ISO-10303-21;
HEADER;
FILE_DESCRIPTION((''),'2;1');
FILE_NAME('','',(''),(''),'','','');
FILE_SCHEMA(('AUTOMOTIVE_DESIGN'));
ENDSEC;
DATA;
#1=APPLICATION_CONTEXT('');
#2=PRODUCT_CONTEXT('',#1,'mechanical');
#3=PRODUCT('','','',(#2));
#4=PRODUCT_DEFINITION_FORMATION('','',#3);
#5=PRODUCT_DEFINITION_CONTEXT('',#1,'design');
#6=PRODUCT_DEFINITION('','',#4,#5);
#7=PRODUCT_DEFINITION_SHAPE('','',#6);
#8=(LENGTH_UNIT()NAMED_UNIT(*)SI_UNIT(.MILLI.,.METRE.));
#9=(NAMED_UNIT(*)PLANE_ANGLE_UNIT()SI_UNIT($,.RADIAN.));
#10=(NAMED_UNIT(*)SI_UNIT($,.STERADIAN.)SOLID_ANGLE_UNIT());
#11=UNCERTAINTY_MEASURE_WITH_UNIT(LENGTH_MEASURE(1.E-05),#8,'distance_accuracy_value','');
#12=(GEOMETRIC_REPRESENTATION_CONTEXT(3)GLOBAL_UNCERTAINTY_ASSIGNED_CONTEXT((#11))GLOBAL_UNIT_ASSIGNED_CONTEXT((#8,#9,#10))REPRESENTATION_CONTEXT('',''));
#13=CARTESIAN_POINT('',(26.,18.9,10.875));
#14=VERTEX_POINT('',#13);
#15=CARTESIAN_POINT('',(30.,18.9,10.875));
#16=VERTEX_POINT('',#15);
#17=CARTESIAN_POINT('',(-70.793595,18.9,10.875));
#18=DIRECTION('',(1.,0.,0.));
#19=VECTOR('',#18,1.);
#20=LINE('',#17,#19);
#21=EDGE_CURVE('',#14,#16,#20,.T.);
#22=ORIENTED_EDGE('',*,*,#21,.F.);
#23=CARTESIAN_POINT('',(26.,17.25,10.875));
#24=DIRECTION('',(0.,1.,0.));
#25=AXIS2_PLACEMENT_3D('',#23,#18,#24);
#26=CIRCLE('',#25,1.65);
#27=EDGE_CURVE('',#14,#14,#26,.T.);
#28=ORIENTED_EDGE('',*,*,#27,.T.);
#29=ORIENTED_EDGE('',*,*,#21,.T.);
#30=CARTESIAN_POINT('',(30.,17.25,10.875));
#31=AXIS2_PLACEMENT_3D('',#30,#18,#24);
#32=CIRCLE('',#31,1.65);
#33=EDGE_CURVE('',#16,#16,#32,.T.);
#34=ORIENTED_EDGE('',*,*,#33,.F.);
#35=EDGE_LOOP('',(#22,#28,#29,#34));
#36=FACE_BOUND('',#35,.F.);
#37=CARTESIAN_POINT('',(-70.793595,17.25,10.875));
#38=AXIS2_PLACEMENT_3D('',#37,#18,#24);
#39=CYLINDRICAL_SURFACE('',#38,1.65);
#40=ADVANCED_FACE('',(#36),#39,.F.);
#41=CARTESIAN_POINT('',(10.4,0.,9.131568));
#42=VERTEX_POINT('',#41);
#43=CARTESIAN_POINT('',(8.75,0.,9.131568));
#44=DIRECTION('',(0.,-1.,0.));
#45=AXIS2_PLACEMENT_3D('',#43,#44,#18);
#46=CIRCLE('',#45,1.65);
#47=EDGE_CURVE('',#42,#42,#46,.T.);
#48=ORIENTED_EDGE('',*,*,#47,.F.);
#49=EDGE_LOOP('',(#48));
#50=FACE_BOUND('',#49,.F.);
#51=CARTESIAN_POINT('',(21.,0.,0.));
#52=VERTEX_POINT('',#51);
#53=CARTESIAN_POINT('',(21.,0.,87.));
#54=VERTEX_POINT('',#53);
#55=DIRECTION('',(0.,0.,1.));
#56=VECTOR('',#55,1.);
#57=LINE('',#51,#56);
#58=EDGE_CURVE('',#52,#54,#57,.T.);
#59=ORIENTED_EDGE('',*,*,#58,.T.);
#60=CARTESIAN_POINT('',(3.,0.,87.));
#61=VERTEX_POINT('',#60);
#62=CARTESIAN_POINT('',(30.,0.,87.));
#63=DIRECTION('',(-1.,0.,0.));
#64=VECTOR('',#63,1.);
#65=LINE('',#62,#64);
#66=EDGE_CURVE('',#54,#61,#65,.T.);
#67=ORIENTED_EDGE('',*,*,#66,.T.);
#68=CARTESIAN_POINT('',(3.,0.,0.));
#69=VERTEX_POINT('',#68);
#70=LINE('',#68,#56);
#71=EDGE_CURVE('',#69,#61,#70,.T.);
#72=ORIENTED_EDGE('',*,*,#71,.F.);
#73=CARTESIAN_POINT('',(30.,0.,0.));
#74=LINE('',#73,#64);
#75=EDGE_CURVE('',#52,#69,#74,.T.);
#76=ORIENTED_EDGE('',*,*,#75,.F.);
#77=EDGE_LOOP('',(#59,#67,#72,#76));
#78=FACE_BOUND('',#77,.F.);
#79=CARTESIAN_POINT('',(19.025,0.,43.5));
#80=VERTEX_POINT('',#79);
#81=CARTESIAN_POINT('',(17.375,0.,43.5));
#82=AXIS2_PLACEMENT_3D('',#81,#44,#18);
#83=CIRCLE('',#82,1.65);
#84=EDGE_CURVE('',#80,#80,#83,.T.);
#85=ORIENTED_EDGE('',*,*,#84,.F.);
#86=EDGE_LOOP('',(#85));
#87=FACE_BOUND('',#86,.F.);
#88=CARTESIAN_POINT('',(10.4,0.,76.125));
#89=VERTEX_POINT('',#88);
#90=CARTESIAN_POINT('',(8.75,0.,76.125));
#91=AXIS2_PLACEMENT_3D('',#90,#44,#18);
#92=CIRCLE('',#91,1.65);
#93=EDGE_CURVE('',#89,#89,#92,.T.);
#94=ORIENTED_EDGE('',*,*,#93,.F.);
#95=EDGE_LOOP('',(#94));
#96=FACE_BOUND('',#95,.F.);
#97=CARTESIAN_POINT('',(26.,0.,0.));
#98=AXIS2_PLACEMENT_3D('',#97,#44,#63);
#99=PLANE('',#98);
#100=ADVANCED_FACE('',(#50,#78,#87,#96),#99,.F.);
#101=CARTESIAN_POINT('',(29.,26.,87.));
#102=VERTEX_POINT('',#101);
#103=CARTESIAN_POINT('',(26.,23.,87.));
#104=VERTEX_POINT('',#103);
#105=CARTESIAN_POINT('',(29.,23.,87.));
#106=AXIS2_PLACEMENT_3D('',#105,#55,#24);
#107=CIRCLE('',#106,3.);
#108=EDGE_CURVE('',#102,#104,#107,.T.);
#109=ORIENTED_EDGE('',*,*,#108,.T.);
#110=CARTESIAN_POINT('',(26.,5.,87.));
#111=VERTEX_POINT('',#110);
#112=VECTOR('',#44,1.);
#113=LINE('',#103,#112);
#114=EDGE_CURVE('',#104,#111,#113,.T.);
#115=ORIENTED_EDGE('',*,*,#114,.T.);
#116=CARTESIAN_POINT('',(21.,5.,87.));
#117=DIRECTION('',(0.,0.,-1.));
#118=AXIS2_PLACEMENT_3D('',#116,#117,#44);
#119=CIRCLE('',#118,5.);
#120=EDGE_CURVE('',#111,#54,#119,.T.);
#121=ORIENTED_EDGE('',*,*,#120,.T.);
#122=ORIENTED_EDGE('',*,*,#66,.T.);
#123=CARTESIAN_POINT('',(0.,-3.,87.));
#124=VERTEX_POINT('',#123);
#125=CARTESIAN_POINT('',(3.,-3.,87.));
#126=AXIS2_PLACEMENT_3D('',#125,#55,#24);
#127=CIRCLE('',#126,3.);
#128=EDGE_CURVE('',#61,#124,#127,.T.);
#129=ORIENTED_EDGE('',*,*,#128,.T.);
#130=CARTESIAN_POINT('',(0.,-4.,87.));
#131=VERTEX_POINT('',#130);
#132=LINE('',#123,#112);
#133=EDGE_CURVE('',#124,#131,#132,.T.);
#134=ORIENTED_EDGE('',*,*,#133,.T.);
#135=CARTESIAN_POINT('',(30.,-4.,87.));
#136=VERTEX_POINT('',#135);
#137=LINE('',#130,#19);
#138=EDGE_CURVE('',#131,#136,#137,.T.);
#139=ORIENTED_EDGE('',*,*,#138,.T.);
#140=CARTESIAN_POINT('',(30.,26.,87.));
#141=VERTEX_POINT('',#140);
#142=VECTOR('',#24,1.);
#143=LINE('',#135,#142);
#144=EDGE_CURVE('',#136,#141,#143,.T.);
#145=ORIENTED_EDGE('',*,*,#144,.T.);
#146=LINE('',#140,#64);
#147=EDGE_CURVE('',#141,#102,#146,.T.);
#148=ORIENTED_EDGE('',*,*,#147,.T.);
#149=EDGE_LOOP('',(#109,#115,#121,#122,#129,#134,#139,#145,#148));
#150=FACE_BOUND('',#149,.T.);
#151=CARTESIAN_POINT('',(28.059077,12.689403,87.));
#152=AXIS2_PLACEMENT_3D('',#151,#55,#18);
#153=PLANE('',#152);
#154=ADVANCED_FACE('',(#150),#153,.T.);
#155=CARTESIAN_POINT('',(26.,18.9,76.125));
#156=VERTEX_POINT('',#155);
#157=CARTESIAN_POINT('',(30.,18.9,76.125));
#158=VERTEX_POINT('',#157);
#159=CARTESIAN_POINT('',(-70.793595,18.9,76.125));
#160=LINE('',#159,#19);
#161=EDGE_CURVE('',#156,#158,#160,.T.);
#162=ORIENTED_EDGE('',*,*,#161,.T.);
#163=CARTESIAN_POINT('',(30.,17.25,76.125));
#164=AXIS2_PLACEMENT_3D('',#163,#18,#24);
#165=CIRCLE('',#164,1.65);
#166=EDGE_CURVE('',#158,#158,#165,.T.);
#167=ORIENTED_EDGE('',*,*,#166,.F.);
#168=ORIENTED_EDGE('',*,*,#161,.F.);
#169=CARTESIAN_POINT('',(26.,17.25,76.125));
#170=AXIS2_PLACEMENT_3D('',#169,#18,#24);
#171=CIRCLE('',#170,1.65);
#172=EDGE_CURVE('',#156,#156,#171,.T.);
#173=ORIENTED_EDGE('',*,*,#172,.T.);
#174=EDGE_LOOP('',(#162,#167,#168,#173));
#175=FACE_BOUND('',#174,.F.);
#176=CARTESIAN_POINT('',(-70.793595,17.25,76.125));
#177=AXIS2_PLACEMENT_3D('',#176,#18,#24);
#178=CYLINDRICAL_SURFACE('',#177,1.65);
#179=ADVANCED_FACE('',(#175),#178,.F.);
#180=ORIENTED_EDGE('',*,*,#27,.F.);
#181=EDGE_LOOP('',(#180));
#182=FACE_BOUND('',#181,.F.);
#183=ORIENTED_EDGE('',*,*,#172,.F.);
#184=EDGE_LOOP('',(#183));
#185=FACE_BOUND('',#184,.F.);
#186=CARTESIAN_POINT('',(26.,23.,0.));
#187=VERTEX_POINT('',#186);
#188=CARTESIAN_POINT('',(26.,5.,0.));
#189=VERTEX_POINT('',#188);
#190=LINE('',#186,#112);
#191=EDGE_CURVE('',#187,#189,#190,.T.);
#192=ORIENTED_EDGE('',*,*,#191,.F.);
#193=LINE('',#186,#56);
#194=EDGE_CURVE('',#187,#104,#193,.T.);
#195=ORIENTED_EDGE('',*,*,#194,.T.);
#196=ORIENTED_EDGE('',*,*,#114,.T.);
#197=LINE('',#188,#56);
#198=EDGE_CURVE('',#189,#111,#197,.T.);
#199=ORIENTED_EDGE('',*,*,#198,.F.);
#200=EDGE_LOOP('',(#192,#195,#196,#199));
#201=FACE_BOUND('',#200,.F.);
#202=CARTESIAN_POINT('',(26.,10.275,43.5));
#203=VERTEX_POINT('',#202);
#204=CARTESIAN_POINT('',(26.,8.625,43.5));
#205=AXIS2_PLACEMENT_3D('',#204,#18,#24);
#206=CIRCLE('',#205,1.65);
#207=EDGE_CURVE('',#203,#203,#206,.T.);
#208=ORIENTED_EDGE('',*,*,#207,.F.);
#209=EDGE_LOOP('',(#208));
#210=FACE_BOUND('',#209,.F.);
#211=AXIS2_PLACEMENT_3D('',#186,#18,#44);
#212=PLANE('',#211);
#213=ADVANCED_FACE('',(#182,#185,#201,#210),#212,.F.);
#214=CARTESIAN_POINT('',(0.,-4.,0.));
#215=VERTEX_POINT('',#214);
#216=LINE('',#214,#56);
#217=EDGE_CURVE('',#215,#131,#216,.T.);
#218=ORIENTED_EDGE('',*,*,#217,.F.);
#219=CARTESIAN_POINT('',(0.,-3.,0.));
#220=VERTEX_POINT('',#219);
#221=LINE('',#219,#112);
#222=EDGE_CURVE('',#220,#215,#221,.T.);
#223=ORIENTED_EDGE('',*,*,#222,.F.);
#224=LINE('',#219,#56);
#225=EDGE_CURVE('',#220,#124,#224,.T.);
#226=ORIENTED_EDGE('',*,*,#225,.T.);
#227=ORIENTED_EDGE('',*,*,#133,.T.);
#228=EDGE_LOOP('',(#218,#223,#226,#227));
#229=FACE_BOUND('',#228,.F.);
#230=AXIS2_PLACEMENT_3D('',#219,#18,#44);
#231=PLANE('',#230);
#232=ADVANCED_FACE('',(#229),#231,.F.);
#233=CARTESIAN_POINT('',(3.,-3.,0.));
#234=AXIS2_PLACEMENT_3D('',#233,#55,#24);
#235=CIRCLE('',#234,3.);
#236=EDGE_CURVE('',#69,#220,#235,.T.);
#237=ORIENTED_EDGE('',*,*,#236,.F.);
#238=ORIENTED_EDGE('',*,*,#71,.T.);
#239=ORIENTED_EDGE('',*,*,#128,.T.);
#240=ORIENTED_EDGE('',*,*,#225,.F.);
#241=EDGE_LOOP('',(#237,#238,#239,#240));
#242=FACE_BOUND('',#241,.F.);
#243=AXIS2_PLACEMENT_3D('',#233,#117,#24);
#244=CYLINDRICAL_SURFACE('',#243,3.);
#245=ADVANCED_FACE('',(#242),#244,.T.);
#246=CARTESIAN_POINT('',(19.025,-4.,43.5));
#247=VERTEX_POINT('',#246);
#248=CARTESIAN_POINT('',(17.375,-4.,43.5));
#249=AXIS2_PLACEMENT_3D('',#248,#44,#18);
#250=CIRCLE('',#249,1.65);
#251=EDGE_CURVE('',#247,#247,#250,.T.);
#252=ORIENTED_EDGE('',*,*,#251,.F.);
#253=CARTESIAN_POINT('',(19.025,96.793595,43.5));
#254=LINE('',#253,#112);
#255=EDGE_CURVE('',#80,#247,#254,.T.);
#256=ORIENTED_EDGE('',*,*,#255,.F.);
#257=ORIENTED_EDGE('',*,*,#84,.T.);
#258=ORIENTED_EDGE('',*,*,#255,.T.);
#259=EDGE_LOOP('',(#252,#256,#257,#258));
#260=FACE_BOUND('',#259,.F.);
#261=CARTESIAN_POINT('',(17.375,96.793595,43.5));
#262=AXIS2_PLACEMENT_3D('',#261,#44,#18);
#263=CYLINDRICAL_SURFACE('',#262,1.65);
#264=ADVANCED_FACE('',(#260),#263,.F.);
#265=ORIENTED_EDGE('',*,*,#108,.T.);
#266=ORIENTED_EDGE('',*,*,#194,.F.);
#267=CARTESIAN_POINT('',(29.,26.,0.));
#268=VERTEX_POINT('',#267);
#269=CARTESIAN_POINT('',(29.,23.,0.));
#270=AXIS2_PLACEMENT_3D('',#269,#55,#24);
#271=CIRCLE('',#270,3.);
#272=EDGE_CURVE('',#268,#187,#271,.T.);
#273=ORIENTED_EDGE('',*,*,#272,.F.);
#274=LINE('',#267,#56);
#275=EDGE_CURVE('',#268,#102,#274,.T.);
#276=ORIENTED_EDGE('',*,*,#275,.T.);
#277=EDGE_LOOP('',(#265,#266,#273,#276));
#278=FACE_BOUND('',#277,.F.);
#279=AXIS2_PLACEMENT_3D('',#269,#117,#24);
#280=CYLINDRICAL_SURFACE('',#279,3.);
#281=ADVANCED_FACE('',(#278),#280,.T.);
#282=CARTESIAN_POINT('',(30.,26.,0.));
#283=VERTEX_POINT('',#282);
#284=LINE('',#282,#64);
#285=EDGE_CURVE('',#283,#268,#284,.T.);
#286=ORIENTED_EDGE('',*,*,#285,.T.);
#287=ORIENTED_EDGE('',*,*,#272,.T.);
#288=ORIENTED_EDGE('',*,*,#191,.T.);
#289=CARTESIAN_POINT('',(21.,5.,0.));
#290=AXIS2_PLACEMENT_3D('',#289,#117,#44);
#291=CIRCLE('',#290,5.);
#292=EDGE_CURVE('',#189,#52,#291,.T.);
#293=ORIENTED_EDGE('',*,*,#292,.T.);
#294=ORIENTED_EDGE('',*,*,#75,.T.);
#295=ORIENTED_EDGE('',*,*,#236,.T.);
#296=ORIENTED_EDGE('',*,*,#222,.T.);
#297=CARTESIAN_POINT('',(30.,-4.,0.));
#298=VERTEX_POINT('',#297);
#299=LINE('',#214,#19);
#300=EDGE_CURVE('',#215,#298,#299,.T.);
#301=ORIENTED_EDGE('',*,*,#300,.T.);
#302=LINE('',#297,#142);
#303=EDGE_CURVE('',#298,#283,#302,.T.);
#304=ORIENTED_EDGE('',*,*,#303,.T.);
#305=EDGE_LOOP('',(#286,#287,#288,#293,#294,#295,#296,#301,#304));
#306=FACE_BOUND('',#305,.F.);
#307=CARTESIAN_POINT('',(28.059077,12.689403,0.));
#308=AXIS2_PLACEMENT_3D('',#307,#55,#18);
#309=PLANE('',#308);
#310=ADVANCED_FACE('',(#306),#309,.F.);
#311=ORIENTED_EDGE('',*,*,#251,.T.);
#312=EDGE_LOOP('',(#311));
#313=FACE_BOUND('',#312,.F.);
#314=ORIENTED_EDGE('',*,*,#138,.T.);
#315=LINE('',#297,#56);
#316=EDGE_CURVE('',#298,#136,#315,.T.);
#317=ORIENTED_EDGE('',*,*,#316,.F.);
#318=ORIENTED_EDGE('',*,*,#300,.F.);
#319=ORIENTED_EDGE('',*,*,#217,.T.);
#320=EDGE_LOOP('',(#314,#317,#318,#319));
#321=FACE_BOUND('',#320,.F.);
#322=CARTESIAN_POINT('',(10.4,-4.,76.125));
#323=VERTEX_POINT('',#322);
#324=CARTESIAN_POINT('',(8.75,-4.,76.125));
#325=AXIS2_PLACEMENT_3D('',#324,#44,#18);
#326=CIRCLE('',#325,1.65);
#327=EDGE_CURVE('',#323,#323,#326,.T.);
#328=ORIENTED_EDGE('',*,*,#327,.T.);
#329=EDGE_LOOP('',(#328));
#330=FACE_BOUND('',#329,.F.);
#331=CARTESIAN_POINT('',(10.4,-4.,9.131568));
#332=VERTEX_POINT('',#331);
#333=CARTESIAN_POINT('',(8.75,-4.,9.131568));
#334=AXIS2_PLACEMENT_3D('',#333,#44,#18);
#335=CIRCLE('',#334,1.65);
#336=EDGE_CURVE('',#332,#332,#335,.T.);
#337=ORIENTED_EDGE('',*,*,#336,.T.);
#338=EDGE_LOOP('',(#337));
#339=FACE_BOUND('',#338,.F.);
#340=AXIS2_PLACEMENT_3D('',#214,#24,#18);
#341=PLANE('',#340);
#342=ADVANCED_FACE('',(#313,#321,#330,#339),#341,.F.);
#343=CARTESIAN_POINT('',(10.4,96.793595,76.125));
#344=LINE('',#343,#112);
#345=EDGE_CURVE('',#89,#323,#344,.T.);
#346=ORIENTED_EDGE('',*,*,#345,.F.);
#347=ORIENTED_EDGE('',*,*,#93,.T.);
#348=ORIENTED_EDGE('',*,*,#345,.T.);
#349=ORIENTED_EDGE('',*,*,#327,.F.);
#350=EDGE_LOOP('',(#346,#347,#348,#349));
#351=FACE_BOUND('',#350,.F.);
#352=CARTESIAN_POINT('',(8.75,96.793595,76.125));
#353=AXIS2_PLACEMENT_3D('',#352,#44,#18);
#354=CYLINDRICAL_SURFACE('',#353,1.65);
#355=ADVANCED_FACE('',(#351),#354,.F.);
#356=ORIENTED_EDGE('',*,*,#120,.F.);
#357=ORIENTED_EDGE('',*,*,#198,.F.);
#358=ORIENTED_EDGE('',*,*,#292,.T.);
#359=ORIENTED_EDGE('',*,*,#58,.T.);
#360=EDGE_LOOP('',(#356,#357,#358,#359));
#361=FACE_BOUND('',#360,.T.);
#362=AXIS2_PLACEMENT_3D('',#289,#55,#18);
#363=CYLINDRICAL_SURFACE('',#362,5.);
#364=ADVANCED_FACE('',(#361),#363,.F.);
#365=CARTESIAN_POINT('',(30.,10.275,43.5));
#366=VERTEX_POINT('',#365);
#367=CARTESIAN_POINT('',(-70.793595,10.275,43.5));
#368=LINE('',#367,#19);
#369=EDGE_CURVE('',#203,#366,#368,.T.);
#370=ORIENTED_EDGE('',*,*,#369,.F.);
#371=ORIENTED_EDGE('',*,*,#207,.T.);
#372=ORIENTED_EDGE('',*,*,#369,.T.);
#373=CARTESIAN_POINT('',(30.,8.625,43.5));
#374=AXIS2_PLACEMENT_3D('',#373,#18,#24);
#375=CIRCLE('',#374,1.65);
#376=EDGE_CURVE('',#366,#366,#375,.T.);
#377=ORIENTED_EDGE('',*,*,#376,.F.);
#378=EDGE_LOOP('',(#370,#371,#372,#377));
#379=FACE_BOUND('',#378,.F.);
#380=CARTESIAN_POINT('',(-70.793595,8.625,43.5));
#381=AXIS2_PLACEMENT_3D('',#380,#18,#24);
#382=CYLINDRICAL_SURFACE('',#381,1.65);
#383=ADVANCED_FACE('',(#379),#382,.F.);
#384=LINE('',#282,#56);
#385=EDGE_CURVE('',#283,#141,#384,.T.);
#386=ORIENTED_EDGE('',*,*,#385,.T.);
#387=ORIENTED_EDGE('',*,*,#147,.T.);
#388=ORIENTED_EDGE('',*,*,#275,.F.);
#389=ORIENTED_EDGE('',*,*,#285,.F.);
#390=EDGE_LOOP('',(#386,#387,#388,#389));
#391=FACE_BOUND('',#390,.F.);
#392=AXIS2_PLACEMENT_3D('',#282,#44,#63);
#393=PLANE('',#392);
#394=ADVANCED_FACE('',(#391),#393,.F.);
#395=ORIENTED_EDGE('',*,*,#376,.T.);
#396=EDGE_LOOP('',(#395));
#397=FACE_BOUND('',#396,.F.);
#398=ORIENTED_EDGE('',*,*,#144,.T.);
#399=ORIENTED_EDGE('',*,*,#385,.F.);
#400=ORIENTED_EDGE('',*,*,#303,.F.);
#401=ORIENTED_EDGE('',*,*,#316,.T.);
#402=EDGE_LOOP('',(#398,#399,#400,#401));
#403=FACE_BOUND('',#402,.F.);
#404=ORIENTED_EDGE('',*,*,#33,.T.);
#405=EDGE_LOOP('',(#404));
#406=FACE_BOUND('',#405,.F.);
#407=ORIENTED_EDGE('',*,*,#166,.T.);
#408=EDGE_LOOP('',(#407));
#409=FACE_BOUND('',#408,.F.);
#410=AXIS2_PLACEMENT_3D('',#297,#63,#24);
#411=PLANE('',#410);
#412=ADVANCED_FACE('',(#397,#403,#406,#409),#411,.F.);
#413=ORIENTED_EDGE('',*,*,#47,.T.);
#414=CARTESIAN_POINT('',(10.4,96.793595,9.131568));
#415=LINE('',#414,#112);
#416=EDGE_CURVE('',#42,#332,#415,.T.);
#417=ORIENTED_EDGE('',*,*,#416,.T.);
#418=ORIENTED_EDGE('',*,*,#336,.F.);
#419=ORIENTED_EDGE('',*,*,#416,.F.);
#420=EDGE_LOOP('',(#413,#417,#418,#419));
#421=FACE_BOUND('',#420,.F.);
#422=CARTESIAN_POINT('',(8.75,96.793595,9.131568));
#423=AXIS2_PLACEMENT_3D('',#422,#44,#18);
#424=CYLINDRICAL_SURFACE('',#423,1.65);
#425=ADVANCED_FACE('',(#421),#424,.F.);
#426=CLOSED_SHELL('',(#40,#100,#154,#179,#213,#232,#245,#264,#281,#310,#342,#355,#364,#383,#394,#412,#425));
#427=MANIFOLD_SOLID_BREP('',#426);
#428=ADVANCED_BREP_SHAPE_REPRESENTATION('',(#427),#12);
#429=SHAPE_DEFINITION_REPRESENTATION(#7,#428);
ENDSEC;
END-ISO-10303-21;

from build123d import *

# Parameters (mm, degrees)
F1_DEPTH   = 87
F4_D       = 3.3
F4_ON_F3_D = 3.3
F5_R       = 5


with BuildPart() as f1:
    # F0 (on Top) → F1 (new body)
    with BuildSketch(Plane.XY):
        with BuildLine():
            Line((26, 23), (26, 0))
            Line((26, 0), (30, 0))
            Line((30, 0), (30, 26))
            Line((30, 26), (29, 26))
            ThreePointArc((29, 26), (26.8786796564, 25.1213203436), (26, 23))
        make_face()
        with BuildLine():
            Line((26, 0), (3, 0))
            ThreePointArc((3, 0), (0.8786796564, -0.8786796564), (0, -3))
            Line((0, -3), (0, -4))
            Line((0, -4), (30, -4))
            Line((30, -4), (30, 0))
            Line((30, 0), (26, 0))
        make_face()
    extrude(amount=F1_DEPTH)

    # F4 (through all)
    with Locations(Plane(origin=(26, 0, 0), x_dir=(0, -1, 0), z_dir=(-1, 0, 0))):
        with Locations((-17.25, 10.875), (-17.25, 76.125), (-8.625, 43.5)):
            Hole(F4_D / 2)

    # F4 on F3 (through all)
    with Locations(Plane(origin=(0, 0, 0), x_dir=(-1, 0, 0), z_dir=(0, 1, 0))):
        with Locations((-8.75, 9.1315675527), (-17.375, 43.5), (-8.75, 76.125)):
            Hole(F4_ON_F3_D / 2)

    # F5
    f5_edges = [f1.edges().sort_by_distance(p)[0] for p in [
        (26, 0, 43.5),
    ]]
    fillet(f5_edges, radius=F5_R)


solid = f1.part
